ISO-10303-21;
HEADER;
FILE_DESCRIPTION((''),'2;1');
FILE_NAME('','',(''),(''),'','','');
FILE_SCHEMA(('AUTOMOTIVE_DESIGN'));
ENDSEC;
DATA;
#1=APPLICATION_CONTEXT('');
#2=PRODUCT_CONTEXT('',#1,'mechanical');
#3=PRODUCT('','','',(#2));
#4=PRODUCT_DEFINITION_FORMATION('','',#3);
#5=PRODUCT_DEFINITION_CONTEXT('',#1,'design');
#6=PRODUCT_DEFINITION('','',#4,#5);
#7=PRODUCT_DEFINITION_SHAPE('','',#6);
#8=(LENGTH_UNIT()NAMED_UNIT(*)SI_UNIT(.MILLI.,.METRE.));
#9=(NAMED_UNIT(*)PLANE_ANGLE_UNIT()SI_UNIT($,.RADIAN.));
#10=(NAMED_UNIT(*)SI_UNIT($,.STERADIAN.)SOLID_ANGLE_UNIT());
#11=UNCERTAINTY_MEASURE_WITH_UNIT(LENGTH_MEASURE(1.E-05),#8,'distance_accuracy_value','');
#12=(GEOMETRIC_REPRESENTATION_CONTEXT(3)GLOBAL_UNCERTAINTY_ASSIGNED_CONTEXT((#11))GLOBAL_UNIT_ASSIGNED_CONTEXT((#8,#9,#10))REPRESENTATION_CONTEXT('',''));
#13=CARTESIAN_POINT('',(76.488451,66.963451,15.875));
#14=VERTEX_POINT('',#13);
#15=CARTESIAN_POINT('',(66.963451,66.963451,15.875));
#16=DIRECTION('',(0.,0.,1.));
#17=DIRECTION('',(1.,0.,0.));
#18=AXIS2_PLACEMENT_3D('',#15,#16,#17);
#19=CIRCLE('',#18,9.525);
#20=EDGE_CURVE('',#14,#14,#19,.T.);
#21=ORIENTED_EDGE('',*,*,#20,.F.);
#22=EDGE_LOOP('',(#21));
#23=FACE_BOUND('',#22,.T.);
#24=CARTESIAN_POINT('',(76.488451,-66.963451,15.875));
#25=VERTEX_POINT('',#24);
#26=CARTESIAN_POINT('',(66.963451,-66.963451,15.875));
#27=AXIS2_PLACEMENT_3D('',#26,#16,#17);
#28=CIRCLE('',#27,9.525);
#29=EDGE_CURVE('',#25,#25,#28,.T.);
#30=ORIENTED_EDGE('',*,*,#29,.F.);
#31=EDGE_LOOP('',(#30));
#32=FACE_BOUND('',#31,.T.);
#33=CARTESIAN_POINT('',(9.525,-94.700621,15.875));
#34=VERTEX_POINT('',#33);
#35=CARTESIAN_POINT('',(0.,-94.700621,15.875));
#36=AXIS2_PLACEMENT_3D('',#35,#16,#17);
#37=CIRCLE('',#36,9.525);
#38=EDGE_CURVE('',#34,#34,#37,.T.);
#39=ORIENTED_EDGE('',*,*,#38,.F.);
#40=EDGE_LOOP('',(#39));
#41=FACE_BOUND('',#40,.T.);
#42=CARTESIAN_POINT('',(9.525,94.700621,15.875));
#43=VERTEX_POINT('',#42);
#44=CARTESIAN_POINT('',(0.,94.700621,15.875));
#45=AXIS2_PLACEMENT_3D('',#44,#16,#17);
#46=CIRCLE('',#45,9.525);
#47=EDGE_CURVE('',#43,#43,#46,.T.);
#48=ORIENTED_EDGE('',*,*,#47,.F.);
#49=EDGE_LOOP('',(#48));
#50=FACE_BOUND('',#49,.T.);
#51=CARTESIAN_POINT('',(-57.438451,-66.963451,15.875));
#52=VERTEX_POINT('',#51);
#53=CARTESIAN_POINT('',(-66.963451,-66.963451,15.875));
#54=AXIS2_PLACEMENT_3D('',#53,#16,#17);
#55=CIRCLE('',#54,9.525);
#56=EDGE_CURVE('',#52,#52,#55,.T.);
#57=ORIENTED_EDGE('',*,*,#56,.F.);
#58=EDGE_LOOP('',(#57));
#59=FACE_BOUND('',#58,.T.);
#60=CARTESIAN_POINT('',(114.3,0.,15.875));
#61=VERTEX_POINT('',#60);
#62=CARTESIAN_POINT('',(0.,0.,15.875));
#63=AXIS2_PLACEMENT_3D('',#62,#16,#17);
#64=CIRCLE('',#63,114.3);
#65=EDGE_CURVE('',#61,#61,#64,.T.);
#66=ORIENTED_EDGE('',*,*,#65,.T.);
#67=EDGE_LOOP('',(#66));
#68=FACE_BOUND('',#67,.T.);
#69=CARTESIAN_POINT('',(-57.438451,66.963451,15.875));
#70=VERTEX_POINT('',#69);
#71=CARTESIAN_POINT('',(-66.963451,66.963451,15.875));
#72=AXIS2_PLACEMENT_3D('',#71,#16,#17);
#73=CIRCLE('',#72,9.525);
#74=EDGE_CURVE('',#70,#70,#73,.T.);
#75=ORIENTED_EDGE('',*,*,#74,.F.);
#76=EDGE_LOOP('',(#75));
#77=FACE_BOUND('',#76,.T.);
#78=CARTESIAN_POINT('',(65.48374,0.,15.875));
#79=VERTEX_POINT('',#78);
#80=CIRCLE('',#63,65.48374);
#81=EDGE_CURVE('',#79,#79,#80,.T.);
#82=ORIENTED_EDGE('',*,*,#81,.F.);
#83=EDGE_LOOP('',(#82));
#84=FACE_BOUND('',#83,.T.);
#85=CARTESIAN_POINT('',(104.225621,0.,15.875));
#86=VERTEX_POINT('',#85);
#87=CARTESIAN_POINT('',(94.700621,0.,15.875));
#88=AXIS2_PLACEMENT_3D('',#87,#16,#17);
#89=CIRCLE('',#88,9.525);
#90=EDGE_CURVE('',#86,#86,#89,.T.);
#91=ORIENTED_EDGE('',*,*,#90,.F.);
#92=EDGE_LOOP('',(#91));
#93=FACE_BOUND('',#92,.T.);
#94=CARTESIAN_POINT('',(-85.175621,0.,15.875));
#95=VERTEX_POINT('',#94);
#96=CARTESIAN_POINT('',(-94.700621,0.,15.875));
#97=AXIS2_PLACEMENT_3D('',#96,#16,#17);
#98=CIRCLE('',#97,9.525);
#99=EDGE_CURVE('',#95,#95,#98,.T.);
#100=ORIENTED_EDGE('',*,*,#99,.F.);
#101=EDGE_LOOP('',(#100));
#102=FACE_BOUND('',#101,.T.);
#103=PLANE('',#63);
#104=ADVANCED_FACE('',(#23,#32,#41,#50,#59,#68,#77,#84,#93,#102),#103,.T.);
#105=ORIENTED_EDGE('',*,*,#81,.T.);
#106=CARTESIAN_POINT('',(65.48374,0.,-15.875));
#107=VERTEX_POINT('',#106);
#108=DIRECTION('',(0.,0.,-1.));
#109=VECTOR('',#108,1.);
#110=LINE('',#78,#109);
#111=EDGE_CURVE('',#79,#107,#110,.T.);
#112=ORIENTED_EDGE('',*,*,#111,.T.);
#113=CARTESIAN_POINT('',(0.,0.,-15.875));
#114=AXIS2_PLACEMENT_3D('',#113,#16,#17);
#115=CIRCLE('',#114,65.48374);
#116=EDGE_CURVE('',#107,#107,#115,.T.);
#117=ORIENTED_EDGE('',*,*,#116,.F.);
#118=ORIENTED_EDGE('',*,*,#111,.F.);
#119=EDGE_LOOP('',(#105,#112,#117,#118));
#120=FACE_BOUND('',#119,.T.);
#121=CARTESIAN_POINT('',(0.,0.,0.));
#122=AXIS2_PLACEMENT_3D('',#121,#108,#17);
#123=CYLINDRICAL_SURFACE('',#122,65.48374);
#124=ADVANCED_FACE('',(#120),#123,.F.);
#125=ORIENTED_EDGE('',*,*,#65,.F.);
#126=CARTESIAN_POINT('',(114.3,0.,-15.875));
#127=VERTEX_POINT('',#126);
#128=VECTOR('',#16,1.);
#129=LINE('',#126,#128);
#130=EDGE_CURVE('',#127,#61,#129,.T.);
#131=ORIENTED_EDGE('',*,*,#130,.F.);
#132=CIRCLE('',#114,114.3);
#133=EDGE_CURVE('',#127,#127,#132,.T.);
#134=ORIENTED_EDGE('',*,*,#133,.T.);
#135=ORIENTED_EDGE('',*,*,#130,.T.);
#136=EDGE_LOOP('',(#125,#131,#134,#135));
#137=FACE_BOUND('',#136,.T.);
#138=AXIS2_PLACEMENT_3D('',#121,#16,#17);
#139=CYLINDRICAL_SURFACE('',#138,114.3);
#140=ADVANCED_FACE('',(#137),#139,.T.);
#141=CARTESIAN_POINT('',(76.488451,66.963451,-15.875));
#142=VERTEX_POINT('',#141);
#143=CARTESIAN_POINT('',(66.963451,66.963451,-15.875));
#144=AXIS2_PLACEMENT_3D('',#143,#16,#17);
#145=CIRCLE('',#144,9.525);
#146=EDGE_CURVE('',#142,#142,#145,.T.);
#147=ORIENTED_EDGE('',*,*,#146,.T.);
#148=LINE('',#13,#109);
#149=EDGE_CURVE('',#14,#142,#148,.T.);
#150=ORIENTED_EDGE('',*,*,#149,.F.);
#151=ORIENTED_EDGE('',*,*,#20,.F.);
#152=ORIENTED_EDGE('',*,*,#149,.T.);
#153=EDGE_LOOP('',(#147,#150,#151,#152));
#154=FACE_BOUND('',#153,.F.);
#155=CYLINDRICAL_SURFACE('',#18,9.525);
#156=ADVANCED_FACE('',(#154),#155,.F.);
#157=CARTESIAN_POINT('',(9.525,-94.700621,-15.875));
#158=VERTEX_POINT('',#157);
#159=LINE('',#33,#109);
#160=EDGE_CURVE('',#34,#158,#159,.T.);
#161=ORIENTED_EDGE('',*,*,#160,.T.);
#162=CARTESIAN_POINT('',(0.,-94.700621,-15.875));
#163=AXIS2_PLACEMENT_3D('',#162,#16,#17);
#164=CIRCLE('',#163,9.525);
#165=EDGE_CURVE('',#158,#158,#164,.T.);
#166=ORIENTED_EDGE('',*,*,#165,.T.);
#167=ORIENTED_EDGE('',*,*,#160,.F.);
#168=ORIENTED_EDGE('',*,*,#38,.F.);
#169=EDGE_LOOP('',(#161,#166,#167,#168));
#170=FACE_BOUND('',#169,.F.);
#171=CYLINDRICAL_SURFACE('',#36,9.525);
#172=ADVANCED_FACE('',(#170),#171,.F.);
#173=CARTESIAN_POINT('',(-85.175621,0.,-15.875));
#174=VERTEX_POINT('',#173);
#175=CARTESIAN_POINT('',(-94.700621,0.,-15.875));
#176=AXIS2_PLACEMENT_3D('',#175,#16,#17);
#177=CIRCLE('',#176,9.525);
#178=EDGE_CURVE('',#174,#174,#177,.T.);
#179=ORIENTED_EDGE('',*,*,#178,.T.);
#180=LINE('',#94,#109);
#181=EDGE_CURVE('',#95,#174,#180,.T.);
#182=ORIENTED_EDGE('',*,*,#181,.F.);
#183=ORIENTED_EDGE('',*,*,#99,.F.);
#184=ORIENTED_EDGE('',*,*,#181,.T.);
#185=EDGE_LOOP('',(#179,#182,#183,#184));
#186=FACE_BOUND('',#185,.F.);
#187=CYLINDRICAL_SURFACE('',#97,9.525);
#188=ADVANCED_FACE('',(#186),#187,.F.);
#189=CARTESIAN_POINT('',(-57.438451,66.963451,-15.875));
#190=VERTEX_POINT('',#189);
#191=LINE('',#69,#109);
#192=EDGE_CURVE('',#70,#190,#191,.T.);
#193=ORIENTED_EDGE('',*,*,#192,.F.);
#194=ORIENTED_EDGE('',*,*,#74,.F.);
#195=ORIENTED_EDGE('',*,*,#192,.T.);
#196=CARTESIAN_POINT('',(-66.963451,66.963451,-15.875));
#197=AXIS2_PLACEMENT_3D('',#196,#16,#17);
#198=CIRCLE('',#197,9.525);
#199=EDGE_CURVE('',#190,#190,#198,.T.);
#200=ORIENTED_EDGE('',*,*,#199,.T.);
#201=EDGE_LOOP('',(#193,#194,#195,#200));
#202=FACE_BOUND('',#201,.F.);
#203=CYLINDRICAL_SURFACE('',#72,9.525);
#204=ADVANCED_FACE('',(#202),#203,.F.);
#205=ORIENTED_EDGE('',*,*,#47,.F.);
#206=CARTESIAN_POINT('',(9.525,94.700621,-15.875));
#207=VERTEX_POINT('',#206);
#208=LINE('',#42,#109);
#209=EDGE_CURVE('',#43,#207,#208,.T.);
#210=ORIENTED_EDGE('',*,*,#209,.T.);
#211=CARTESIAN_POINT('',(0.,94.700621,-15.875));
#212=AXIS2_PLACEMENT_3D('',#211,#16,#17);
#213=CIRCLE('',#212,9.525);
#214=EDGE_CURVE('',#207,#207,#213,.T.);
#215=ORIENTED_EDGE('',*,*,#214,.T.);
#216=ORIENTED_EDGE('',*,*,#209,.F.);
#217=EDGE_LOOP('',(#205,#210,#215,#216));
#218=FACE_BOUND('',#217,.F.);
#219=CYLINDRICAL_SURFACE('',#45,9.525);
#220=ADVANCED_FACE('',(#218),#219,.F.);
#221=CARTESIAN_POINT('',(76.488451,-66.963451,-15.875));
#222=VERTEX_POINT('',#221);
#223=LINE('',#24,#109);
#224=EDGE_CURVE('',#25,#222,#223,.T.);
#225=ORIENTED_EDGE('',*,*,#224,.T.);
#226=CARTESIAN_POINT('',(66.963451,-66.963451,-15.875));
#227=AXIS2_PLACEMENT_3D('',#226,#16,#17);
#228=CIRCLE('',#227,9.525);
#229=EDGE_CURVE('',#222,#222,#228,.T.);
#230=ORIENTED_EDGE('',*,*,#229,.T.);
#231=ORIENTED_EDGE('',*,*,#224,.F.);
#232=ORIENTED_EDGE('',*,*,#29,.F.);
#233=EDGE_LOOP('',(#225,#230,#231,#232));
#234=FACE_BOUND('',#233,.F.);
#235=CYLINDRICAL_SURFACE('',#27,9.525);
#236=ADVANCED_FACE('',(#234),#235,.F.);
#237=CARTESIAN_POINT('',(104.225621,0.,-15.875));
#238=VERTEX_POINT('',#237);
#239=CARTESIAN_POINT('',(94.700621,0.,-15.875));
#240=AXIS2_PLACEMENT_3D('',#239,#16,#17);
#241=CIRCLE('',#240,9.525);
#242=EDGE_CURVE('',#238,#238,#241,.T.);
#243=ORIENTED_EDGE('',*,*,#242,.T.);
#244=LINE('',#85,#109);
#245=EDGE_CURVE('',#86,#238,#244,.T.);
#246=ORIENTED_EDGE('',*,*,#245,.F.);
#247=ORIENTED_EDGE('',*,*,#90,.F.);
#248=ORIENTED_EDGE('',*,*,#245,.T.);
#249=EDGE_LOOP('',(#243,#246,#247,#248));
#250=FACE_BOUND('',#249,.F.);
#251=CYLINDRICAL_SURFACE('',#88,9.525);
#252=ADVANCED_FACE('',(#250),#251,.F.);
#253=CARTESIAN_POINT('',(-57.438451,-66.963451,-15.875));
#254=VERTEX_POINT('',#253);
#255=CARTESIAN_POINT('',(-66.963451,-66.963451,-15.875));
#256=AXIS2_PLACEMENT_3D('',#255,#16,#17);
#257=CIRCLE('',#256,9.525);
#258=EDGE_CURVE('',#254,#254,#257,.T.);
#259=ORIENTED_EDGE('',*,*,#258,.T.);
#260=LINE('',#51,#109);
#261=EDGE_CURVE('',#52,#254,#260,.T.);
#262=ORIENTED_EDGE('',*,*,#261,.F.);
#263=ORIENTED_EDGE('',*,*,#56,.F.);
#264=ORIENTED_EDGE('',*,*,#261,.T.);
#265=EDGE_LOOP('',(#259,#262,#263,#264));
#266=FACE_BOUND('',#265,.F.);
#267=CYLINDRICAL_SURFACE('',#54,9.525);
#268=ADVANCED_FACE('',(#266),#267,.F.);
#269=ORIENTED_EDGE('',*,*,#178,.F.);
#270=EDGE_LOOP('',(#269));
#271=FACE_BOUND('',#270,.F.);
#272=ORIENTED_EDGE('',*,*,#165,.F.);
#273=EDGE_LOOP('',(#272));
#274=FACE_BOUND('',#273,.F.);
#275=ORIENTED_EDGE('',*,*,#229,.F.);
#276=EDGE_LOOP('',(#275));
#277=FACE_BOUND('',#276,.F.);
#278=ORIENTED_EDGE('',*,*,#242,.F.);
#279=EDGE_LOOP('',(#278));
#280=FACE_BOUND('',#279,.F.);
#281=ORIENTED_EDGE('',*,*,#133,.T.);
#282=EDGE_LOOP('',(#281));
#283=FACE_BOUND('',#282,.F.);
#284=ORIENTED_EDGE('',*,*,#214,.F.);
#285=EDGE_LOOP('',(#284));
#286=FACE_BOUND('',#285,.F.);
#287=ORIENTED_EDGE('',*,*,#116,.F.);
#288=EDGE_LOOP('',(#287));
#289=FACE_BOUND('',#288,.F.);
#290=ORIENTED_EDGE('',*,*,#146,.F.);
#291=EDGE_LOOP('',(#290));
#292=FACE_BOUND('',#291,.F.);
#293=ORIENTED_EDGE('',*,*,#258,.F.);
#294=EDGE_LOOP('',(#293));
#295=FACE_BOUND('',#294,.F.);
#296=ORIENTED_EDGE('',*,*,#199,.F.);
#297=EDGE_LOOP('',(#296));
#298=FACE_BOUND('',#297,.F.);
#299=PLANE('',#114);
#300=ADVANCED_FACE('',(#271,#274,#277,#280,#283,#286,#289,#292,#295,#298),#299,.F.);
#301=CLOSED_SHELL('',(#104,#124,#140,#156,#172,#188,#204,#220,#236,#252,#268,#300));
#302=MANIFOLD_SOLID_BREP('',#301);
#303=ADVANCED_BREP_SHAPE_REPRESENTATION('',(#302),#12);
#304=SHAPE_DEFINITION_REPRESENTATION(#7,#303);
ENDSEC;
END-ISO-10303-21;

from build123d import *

# Parameters (mm, degrees)
F0_R     = 114.3
F0_R_2   = 65.48374
F1_DEPTH = 15.875
F2_R     = 9.525
F3_DEPTH = 31.751


with BuildPart() as f1:
    # F0 (on Top) → F1 (new body, symmetric)
    with BuildSketch(Plane.XY):
        Circle(F0_R)
        Circle(F0_R_2, mode=Mode.SUBTRACT)
    extrude(amount=F1_DEPTH, both=True)

    # F2 (on face) → F3 (cut, through all)
    with BuildSketch(Plane.XY.offset(15.875)):
        with Locations((0, 94.700621)):
            Circle(F2_R)
        with Locations((-66.963451, 66.963451)):
            Circle(F2_R)
        with Locations((-94.700621, 0)):
            Circle(F2_R)
        with Locations((-66.963451, -66.963451)):
            Circle(F2_R)
        with Locations((0, -94.700621)):
            Circle(F2_R)
        with Locations((66.963451, -66.963451)):
            Circle(F2_R)
        with Locations((94.700621, 0)):
            Circle(F2_R)
        with Locations((66.963451, 66.963451)):
            Circle(F2_R)
    extrude(amount=-F3_DEPTH, mode=Mode.SUBTRACT)


solid = f1.part
